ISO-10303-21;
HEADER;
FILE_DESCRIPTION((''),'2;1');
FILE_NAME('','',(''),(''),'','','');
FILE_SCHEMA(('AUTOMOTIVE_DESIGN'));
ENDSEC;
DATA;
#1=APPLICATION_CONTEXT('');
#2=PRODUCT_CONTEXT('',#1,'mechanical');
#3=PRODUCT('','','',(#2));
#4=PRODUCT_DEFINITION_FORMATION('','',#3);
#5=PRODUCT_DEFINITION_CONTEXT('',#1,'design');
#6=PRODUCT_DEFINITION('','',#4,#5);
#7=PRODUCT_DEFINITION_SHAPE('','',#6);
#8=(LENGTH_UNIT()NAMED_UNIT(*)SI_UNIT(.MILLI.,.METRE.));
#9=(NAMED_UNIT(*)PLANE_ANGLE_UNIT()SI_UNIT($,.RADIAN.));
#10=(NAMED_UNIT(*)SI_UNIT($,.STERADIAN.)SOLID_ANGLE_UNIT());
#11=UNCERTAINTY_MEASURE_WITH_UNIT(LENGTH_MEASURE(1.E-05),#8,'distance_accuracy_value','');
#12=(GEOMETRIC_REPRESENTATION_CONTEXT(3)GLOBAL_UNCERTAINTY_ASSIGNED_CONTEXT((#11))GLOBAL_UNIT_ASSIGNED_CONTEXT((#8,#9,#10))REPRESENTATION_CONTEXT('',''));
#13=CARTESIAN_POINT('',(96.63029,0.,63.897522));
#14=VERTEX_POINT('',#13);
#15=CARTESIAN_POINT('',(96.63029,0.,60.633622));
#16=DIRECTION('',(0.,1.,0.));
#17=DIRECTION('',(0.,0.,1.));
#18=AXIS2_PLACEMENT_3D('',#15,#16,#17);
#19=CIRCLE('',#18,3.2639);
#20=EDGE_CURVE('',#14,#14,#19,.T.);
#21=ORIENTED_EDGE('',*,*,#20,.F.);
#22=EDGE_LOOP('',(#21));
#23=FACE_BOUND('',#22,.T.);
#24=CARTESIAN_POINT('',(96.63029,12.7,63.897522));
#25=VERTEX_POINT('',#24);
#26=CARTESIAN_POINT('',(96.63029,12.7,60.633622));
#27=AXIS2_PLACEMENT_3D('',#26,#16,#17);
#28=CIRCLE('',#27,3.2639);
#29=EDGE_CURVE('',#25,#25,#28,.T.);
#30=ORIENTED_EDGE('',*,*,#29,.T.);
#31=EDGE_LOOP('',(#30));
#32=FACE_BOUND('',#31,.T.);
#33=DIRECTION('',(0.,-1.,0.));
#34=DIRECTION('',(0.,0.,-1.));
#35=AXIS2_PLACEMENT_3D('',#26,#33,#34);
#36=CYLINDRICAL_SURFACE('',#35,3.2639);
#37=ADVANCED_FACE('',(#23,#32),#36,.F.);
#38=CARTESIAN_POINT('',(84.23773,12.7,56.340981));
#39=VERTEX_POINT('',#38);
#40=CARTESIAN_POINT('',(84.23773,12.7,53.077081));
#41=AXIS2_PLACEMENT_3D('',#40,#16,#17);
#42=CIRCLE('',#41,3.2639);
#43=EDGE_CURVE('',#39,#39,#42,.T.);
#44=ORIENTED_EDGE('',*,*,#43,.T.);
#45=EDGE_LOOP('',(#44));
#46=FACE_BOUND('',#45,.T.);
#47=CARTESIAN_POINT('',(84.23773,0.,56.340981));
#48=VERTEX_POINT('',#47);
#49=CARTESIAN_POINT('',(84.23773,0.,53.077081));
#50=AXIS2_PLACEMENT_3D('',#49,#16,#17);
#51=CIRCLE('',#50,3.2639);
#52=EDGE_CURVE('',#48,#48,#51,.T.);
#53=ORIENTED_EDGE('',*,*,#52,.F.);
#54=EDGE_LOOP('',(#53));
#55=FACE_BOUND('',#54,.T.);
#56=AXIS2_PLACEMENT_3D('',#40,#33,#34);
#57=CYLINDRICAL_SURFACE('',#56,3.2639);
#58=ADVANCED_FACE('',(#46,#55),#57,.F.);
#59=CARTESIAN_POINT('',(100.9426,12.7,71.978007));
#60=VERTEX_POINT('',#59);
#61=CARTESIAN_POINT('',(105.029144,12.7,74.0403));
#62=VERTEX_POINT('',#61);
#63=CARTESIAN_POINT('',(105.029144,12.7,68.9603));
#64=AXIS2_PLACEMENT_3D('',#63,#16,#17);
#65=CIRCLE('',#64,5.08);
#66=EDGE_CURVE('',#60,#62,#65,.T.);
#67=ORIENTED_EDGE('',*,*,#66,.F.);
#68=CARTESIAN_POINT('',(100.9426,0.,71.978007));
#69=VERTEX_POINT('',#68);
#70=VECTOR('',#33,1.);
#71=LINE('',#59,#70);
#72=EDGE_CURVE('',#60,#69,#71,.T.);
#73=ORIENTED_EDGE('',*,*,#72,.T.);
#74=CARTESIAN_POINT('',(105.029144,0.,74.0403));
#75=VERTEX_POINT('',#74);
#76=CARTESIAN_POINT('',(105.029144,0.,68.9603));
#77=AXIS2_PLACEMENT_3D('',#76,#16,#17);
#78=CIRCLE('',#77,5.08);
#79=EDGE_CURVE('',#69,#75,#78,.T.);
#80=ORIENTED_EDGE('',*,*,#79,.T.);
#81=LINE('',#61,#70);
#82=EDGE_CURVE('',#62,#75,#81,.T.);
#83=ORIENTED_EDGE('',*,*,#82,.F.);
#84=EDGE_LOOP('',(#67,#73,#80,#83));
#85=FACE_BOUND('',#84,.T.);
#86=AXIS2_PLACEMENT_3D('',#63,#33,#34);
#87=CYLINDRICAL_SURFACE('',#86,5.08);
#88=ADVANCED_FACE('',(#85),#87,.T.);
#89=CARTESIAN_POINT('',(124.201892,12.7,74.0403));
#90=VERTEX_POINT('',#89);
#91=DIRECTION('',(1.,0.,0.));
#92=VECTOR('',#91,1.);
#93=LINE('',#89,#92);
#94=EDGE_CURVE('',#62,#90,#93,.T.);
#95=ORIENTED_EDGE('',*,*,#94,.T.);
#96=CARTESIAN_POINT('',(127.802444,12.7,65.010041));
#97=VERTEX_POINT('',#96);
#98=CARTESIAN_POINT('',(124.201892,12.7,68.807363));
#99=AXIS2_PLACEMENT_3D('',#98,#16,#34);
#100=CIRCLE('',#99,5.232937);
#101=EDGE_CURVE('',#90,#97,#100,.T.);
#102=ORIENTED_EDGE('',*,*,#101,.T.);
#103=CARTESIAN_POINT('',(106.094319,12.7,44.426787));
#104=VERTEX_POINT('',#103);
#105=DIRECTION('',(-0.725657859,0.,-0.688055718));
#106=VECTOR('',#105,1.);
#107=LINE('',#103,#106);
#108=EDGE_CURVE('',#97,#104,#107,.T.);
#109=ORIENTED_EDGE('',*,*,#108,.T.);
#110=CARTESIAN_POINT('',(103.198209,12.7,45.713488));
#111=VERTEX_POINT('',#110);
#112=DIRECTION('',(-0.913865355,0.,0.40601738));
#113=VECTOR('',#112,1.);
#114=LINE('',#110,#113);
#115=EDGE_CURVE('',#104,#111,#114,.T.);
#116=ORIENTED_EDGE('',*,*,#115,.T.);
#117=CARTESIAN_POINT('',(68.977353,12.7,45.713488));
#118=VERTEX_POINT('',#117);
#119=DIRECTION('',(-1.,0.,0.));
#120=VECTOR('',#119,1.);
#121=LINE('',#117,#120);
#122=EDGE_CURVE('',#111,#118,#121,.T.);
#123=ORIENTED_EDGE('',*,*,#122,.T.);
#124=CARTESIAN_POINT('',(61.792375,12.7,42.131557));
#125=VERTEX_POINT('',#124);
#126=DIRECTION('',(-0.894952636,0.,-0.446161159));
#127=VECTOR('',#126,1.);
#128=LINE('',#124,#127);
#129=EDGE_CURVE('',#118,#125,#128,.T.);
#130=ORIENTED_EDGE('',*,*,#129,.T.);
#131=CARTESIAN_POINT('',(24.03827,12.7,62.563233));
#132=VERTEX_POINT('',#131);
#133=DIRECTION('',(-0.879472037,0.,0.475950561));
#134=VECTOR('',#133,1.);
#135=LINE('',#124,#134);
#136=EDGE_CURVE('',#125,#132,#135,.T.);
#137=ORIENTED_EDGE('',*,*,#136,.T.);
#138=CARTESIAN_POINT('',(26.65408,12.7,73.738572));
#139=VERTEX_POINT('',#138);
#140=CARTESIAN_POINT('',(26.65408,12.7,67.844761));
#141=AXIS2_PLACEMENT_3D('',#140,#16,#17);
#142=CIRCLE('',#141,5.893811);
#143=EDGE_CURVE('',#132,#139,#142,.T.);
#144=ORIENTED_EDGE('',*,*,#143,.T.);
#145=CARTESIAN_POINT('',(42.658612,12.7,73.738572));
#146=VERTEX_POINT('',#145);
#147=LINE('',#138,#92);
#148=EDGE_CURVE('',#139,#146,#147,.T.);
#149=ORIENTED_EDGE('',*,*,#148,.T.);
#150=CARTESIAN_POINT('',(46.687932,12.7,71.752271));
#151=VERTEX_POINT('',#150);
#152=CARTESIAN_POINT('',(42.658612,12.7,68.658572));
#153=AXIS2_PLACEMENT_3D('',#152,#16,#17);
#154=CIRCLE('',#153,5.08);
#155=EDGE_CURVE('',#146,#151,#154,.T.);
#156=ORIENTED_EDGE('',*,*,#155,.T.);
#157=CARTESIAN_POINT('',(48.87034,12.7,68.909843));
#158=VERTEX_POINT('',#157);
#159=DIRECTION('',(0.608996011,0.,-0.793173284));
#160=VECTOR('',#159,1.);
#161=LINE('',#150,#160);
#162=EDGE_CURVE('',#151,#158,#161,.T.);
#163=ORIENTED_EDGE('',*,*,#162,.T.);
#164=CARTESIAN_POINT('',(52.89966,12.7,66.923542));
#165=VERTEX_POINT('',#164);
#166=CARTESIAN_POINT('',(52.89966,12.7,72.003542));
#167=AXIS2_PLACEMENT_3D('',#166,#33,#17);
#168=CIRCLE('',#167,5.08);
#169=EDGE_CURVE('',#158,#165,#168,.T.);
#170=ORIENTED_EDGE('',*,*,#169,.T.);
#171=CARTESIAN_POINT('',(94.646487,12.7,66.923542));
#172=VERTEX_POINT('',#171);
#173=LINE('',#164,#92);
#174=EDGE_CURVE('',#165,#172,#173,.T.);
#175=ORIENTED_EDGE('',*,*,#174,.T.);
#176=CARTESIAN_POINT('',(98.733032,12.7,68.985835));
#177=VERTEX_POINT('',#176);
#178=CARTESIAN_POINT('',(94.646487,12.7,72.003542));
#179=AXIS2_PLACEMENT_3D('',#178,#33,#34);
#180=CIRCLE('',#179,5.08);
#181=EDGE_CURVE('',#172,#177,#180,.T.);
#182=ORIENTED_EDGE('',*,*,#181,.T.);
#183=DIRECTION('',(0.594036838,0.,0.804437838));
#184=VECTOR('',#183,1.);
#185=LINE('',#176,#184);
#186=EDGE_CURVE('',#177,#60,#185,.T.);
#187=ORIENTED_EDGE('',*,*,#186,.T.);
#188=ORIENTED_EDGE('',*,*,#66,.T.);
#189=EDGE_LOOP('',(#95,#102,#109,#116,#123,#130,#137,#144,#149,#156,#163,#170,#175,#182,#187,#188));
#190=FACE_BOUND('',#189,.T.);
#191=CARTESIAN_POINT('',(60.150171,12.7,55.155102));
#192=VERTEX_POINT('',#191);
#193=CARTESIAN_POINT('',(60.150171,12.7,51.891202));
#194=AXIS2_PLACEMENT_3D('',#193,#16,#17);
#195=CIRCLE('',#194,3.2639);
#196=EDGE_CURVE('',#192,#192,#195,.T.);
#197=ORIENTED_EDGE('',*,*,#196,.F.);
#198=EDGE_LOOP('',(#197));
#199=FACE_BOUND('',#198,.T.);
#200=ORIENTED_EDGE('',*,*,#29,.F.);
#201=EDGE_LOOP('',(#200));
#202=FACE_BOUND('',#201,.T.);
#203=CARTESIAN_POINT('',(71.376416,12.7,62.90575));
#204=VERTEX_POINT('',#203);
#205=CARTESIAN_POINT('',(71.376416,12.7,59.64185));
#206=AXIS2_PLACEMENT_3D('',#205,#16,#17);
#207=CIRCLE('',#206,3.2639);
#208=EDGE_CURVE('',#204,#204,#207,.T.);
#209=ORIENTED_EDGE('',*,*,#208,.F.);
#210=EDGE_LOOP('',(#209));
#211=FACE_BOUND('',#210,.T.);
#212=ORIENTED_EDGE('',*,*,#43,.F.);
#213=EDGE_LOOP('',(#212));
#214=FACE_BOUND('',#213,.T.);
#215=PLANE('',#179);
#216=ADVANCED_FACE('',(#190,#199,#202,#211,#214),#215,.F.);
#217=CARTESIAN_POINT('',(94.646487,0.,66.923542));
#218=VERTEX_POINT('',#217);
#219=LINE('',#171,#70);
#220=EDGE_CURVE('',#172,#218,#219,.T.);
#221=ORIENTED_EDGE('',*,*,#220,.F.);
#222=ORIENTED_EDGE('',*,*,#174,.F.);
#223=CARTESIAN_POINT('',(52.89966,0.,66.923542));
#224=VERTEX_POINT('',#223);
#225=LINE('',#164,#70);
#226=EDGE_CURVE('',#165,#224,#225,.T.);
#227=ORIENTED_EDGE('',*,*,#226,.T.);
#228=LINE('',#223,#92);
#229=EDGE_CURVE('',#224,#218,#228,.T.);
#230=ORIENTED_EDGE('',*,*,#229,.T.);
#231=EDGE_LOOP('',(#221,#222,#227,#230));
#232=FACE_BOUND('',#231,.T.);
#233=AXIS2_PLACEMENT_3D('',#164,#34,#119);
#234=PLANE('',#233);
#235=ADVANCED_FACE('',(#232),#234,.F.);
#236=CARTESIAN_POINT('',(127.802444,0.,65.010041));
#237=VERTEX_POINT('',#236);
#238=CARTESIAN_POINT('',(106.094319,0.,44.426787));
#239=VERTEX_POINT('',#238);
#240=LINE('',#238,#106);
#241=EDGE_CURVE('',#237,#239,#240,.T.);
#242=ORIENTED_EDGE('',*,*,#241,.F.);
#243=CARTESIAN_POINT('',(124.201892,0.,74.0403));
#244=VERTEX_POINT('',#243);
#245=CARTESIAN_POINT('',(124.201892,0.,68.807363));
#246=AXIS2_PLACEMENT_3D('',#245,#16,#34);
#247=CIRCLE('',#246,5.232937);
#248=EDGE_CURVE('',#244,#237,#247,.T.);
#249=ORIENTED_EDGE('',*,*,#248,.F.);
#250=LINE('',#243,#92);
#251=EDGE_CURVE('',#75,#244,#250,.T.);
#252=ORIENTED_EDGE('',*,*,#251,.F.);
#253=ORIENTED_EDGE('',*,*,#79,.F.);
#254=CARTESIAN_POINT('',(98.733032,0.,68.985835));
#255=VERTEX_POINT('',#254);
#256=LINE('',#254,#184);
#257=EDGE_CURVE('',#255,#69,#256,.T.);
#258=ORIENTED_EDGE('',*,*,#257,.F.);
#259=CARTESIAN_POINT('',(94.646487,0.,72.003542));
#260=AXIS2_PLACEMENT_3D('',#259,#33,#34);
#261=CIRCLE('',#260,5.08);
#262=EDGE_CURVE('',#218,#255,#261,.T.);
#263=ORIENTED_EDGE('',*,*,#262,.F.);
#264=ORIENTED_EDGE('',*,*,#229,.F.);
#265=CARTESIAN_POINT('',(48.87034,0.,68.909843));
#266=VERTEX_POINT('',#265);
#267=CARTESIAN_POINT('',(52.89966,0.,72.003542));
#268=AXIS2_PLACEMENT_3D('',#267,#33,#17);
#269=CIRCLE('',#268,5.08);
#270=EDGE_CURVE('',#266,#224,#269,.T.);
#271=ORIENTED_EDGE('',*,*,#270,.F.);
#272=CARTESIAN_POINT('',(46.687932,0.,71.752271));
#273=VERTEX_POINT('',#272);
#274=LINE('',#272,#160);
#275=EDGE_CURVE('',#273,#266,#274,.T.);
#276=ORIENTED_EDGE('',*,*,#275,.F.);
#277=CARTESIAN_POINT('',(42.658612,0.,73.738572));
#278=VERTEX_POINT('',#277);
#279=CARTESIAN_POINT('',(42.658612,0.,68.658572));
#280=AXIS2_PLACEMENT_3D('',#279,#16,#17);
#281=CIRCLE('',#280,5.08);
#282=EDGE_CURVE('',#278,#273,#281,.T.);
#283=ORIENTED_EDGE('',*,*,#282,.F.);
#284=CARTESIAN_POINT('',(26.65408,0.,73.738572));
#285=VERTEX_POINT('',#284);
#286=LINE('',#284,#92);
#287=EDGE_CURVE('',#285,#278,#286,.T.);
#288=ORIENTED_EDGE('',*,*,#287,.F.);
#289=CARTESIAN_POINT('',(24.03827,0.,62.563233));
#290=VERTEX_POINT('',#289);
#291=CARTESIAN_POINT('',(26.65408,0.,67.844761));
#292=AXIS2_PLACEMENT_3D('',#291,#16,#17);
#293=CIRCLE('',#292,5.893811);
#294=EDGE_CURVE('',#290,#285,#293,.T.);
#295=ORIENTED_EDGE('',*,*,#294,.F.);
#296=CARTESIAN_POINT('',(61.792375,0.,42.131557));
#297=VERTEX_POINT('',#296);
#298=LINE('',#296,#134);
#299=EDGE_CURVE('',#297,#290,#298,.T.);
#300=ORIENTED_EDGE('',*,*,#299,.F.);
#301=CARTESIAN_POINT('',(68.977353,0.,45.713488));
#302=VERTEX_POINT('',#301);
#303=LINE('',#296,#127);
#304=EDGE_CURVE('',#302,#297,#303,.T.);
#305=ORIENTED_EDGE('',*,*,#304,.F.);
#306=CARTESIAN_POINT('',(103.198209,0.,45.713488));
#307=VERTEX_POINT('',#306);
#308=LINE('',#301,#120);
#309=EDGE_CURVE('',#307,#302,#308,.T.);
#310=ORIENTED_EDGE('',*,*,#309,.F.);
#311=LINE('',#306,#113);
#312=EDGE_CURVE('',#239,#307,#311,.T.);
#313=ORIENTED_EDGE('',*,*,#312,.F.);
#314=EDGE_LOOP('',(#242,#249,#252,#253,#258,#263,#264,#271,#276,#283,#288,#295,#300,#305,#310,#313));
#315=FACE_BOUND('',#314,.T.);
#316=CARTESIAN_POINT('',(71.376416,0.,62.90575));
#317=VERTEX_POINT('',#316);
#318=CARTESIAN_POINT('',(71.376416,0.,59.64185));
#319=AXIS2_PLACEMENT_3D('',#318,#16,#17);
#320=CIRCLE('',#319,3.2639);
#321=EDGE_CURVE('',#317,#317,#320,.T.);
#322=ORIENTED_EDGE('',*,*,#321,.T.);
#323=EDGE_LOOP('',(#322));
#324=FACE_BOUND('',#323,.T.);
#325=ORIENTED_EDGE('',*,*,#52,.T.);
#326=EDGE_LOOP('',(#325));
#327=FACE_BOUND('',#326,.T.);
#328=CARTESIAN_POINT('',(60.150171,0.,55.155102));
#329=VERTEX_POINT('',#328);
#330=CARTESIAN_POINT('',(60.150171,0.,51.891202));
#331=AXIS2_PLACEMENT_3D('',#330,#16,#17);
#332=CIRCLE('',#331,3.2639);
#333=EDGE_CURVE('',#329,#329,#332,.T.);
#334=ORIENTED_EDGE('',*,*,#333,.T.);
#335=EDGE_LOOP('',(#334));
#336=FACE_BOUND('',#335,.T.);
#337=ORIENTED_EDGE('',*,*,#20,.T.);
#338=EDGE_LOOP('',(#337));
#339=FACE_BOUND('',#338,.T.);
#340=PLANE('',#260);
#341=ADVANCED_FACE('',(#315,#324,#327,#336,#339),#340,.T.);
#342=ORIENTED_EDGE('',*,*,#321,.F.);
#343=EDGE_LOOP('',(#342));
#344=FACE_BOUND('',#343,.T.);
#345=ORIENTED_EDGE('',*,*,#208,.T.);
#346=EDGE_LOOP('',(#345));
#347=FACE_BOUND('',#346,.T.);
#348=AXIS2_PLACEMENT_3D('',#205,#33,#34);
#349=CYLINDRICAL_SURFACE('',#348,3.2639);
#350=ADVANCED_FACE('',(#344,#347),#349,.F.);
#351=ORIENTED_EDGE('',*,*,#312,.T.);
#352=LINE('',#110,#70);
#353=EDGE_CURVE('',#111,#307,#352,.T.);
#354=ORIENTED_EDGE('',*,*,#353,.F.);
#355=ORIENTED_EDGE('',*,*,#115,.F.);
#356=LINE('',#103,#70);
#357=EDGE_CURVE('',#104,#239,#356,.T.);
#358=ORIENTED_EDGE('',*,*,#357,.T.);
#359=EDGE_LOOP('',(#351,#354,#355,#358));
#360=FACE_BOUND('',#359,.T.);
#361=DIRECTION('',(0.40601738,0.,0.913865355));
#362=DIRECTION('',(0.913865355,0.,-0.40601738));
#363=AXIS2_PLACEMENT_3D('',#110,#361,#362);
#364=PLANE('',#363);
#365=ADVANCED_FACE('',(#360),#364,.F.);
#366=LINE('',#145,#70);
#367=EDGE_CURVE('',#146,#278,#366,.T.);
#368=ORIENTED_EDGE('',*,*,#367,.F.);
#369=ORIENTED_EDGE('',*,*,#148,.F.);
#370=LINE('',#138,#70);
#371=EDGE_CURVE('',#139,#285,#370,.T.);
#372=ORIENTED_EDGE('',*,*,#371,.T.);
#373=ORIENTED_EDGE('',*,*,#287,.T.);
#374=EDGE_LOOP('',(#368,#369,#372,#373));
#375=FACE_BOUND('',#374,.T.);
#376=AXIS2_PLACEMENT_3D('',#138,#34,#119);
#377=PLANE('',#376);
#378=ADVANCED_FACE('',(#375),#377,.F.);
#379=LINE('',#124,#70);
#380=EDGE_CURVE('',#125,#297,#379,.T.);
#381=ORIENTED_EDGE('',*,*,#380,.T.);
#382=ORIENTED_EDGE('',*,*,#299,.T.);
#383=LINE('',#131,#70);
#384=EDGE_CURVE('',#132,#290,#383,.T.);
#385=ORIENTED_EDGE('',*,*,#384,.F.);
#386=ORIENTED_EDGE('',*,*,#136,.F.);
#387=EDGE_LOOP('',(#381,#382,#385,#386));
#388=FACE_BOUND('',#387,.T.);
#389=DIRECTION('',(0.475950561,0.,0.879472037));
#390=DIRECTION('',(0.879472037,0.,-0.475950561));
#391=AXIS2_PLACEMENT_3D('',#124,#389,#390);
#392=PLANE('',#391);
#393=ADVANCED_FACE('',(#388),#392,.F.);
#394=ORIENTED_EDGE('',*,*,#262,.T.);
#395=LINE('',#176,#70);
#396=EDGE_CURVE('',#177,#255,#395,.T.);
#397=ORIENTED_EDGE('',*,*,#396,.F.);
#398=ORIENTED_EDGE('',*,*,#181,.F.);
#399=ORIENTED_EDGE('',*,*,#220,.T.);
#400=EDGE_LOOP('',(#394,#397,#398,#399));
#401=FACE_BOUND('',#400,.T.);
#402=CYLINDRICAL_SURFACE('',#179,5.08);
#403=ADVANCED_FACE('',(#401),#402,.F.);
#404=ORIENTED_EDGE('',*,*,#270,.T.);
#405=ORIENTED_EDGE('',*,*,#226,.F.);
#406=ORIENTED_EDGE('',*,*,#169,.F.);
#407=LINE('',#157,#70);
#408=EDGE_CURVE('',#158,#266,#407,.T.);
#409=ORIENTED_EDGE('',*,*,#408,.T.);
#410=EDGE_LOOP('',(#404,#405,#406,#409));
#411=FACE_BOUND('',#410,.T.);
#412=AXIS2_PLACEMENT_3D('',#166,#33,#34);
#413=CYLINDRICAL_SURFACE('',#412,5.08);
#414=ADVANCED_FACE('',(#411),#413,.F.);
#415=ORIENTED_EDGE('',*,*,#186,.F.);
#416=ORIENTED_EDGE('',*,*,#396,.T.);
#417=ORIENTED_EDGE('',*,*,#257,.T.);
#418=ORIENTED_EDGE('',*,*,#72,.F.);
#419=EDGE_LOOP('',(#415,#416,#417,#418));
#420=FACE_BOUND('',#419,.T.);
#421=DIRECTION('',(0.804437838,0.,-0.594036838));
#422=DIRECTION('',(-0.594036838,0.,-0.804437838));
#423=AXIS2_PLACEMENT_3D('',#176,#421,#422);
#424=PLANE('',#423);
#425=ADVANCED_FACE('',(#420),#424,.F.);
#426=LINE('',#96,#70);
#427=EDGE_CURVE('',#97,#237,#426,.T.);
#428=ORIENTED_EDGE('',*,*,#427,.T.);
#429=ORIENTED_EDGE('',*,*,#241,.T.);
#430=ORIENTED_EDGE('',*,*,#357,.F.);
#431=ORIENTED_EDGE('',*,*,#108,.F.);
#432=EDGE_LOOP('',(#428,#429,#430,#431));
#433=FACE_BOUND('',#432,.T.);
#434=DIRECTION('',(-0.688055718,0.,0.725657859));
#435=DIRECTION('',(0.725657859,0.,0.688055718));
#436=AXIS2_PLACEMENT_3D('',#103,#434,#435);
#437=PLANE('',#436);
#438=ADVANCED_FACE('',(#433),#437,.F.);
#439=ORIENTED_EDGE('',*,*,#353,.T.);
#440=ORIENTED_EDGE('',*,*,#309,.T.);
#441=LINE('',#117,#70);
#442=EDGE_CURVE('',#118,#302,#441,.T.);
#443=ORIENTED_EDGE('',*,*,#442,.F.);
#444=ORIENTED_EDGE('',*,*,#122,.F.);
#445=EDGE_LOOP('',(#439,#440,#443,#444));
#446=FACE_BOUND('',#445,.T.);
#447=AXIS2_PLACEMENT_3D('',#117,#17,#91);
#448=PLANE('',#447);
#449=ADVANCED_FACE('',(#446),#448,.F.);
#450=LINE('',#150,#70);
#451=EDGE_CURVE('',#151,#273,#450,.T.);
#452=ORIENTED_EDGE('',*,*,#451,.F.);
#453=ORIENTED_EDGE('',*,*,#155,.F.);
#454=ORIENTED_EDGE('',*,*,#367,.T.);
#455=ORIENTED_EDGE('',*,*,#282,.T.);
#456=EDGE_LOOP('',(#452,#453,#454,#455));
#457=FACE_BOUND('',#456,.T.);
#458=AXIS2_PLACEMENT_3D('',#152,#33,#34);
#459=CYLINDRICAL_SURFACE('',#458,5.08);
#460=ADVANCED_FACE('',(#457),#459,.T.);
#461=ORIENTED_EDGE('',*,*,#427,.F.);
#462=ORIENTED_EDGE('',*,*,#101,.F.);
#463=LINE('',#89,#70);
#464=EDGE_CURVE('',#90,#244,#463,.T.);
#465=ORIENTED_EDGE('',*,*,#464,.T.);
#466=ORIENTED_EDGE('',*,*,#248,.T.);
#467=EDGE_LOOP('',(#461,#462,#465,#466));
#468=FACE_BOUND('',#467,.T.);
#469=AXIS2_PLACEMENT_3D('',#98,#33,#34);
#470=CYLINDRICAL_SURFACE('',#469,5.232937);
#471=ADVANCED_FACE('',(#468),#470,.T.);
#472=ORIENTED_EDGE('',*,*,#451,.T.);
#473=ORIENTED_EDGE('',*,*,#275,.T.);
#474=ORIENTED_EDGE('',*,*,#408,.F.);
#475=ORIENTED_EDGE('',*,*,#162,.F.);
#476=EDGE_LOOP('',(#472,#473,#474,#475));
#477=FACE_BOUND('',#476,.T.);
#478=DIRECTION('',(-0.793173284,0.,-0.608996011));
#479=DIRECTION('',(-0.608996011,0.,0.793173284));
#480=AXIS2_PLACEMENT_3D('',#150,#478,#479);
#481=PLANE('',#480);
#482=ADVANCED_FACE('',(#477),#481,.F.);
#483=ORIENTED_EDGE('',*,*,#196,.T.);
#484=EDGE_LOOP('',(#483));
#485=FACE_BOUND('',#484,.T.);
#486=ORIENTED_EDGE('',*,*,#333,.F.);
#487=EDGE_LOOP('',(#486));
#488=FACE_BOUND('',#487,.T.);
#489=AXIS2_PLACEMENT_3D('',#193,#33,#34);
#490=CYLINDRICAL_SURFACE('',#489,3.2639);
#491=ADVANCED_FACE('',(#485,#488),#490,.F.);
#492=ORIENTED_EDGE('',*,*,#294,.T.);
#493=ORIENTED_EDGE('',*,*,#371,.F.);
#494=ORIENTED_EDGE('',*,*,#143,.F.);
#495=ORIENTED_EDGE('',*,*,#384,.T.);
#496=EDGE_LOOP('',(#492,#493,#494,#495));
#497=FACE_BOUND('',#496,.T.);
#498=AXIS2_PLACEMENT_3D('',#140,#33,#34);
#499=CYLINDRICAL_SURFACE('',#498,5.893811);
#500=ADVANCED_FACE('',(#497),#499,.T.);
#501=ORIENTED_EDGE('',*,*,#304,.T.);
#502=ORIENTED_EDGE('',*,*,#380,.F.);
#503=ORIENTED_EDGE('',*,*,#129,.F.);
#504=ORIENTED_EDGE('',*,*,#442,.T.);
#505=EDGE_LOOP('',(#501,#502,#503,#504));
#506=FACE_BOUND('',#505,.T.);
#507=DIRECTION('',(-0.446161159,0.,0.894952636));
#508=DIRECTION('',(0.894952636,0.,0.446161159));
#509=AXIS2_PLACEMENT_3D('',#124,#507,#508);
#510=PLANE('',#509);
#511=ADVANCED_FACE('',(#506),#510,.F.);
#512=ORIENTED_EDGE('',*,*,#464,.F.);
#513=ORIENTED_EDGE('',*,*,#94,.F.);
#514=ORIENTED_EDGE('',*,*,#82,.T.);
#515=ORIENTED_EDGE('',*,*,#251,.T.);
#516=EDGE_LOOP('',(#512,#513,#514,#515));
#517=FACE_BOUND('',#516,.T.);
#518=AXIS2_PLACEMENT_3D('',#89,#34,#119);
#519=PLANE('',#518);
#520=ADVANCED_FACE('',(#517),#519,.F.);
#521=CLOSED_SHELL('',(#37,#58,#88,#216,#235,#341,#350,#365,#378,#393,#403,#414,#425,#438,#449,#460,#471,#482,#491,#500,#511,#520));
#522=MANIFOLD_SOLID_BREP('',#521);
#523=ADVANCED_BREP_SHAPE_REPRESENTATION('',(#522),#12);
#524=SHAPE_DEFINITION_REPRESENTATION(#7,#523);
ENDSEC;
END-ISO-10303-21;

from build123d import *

# Parameters (mm, degrees)
SKETCH1_R           = 3.2639
BOSS_EXTRUDE1_DEPTH = 12.7


with BuildPart() as part:
    # Sketch1 → Boss-Extrude1 (new body)
    with BuildSketch(Plane(origin=(0, 0, 0), x_dir=(1, 0, 0), z_dir=(0, 1, 0))):
        with BuildLine():
            Line((98.733031573, -68.985835228), (100.942599672, -71.978006872))
            ThreePointArc((100.942599672, -71.978006872), (102.740427245, -73.495514847), (105.029143887, -74.040299732))
            Line((105.029143887, -74.040299732), (124.201892168, -74.040299732))
            ThreePointArc((124.201892168, -74.040299732), (129.062693158, -70.745465469), (127.802444272, -65.010041176))
            Line((127.802444272, -65.010041176), (106.094318665, -44.426787292))
            Line((106.094318665, -44.426787292), (103.19820861, -45.713487798))
            Line((103.19820861, -45.713487798), (68.977352979, -45.713487798))
            Line((68.977352979, -45.713487798), (61.792374607, -42.131557151))
            Line((61.792374607, -42.131557151), (24.038270246, -62.563232545))
            ThreePointArc((24.038270246, -62.563232545), (20.915380805, -69.188017292), (26.654079797, -73.738571684))
            Line((26.654079797, -73.738571684), (42.658611745, -73.738571684))
            ThreePointArc((42.658611745, -73.738571684), (44.904764604, -73.215017375), (46.687932027, -71.752271422))
            Line((46.687932027, -71.752271422), (48.870340124, -68.909842629))
            ThreePointArc((48.870340124, -68.909842629), (50.653507547, -67.447096676), (52.899660406, -66.923542367))
            Line((52.899660406, -66.923542367), (94.646487358, -66.923542367))
            ThreePointArc((94.646487358, -66.923542367), (96.935204, -67.468327252), (98.733031573, -68.985835228))
        make_face()
        with Locations((60.150170667, -51.891201826)):
            Circle(SKETCH1_R, mode=Mode.SUBTRACT)
        with Locations((71.3764156, -59.641849895)):
            Circle(SKETCH1_R, mode=Mode.SUBTRACT)
        with Locations((84.237729699, -53.077081169)):
            Circle(SKETCH1_R, mode=Mode.SUBTRACT)
        with Locations((96.63028976, -60.633621731)):
            Circle(SKETCH1_R, mode=Mode.SUBTRACT)
    extrude(amount=BOSS_EXTRUDE1_DEPTH)


solid = part.part
